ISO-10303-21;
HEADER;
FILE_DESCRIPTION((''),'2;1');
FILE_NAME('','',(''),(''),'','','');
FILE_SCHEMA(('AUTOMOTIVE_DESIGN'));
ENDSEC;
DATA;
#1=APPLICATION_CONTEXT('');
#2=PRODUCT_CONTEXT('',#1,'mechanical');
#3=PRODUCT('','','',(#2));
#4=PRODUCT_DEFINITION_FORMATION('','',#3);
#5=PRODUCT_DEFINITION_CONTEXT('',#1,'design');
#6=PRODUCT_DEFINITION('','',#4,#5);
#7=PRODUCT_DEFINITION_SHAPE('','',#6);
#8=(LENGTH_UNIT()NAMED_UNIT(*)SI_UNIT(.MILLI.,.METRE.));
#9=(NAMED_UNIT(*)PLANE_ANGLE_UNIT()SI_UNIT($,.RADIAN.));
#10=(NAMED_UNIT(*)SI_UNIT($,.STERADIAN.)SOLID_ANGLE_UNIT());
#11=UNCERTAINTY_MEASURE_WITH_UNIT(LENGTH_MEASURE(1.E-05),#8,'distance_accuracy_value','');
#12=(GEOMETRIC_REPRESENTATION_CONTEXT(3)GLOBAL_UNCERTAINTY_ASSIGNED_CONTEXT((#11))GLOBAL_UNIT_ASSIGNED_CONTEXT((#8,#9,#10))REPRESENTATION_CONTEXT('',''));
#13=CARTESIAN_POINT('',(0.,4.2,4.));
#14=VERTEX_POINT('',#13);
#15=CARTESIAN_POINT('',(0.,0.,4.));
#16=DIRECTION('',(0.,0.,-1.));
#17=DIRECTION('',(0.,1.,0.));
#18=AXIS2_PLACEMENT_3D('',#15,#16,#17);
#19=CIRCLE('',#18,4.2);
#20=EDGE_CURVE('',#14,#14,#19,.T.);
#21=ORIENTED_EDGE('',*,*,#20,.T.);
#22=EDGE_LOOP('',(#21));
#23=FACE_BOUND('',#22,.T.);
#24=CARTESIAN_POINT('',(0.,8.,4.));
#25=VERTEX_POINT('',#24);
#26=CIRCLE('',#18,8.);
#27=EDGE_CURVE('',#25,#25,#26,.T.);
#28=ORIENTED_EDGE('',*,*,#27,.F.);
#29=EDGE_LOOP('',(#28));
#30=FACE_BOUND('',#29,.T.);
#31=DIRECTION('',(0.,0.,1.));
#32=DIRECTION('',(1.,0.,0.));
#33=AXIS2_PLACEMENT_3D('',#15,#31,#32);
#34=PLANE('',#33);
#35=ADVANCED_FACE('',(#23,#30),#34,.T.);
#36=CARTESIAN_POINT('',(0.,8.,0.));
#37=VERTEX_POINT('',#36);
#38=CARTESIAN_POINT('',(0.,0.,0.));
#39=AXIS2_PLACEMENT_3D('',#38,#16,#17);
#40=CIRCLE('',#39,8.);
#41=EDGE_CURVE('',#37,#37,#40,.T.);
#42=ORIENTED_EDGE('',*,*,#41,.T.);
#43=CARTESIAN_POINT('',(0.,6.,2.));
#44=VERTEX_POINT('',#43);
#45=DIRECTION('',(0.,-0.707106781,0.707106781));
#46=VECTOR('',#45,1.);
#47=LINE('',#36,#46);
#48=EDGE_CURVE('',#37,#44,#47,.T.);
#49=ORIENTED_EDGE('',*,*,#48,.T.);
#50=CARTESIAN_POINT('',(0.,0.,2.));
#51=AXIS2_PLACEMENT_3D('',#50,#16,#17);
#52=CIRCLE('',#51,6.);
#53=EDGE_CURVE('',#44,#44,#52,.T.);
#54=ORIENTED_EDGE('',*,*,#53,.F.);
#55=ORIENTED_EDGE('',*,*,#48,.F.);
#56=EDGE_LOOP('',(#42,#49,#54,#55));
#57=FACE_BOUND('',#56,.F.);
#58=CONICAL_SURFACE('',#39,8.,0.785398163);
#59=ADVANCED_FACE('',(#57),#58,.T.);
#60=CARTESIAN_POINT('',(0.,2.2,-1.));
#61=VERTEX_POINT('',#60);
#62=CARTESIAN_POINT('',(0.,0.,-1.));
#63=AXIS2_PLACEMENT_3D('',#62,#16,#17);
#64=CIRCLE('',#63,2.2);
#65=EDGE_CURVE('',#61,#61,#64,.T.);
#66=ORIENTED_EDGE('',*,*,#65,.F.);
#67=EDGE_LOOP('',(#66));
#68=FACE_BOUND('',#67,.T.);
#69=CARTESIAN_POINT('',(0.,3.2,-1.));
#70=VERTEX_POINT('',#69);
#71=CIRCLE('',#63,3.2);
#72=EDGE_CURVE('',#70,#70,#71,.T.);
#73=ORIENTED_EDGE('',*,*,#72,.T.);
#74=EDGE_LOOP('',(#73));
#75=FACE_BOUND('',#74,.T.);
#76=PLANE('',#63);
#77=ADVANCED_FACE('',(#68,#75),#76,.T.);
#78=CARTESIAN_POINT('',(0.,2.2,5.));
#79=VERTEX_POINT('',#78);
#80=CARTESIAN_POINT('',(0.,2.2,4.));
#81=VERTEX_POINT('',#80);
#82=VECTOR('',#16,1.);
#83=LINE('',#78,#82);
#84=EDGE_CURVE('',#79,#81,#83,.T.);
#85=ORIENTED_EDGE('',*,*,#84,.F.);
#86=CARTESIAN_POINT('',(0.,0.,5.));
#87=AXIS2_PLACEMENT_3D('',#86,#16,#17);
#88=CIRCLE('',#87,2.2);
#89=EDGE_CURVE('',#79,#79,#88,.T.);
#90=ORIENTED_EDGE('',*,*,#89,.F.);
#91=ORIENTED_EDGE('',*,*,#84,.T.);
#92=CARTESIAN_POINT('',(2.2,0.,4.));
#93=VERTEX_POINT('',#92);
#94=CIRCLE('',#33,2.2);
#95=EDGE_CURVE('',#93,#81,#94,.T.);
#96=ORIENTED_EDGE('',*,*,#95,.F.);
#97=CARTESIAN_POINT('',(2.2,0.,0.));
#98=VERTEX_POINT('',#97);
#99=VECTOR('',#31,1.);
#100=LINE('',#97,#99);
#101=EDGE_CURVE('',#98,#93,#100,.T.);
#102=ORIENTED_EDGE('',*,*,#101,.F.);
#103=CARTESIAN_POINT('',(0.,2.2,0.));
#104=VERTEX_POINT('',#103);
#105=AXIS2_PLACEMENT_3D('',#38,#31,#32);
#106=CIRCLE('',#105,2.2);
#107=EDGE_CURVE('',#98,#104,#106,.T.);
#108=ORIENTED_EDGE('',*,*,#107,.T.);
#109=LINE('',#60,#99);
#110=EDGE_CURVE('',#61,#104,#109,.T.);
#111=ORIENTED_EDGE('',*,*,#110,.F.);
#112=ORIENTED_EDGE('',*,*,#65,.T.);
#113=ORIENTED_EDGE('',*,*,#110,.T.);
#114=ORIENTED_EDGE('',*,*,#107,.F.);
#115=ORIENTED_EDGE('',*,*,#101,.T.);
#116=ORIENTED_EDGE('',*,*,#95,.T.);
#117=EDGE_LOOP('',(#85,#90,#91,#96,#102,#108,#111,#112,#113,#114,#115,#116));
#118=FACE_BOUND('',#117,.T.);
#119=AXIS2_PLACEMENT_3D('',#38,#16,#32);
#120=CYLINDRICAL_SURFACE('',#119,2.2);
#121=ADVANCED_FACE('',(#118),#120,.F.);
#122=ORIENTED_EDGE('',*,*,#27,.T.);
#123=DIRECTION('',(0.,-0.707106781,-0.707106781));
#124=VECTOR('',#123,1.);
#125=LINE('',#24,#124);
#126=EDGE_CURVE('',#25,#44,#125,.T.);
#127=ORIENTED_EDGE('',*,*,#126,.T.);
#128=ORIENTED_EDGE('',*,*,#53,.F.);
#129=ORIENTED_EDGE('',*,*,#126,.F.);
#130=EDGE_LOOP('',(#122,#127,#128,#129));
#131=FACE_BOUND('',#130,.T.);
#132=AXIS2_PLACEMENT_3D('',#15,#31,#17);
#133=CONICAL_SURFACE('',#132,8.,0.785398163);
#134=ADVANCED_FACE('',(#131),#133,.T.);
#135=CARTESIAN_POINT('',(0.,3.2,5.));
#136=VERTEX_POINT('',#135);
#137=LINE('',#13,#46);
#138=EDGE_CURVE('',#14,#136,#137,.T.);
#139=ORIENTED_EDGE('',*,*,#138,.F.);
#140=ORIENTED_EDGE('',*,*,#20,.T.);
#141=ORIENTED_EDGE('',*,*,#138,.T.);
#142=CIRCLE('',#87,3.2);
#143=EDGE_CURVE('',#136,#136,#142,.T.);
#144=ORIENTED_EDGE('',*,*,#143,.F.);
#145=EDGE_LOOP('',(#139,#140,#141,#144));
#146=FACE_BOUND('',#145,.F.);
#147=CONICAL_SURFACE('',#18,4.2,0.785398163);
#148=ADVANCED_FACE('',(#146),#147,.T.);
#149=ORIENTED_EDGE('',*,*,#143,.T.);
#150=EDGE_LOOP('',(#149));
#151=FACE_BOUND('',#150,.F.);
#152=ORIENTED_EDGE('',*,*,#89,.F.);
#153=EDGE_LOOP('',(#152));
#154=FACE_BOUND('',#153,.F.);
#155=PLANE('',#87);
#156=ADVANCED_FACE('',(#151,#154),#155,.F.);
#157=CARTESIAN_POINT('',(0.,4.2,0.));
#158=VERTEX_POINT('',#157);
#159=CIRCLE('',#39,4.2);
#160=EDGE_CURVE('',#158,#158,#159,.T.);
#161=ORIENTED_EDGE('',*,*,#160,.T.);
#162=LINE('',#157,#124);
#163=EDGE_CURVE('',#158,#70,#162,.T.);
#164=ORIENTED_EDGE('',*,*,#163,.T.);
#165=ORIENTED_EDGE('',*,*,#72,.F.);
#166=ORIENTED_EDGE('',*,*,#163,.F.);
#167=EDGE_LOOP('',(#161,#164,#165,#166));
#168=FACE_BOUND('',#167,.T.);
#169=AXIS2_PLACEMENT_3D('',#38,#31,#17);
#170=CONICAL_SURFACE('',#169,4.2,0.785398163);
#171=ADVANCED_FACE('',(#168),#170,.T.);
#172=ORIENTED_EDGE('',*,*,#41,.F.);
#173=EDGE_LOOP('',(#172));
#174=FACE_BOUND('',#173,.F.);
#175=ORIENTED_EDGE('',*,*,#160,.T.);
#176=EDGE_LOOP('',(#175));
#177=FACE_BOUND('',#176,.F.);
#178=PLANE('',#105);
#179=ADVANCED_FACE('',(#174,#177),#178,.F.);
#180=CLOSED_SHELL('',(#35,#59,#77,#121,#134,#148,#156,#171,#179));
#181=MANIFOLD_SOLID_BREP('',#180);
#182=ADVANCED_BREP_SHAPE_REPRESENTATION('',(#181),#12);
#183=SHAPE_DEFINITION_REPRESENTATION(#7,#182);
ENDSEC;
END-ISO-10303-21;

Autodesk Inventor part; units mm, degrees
ref_plane "YZ Plane" through (0, 0, 0) normal (1, 0, 0) x (0, 1, 0)
ref_plane "XZ Plane" through (0, 0, 0) normal (0, 1, 0) x (-1, 0, 0)
ref_plane "XY Plane" through (0, 0, 0) normal (0, 0, 1) x (1, 0, 0)
sketch "Sketch90" plane through (0, 0, 0) normal (0, 0, 1) x (1, 0, 0)
  circle A0 centre (0, 0) radius 2.2
  circle A1 centre (0, 0) radius 6
  dimension "d450" = 4.4
  dimension "d451" = 12
extrude "Extrusion69" add sketch "Sketch90" along normal blind 4
sketch "Sketch91" plane through (0, 0, 0) normal (1, 0, 0) x (0, 1, 0)
  line L0 (6, 0) -> (6, 4) projected
  line L1 (6, 4) -> (8, 4)
  line L2 (6, 0) -> (8, 0)
  line L3 (8, 4) -> (6, 2)
  line L4 (8, 0) -> (6, 2)
  line L5 (0, 0) -> (0, -8)
  line L6 (2.2, 0) -> (-2.2, 0) projected
  line L7 (-6, 0) -> (6, 0) projected
  line L8 (-2.2, 4) -> (2.2, 4) projected
  line L9 (6, 4) -> (-6, 4) projected
  line L10 (-2.2, 4) -> (2.2, 4) projected
  line L11 (2.2, 0) -> (-2.2, 0) projected
  line L12 (2.2, 0) -> (-2.2, 0) projected
  line L13 (2.2, 0) -> (2.2, 4) projected
  line L14 (2.2, 0) -> (4.2, 0)
  line L15 (4.2, 0) -> (4.2, 0)
  line L16 (3.2, -1) -> (2.2, -1)
  line L17 (2.2, -1) -> (2.2, 0)
  line L18 (-2.2, 4) -> (2.2, 4) projected
  line L19 (2.2, 4) -> (4.2, 4)
  line L20 (4.2, 4) -> (4.2, 4)
  line L21 (3.2, 5) -> (2.2, 5)
  line L22 (2.2, 5) -> (2.2, 4)
  line L23 (4.2, 0) -> (3.2, -1)
  line L24 (4.2, 4) -> (3.2, 5)
  point P0 (4.2, -1)
  point P1 (4.2, 5)
  dimension "d454" = 2
  dimension "d456" = 2
  dimension "d457" = 1
  dimension "d458" = 1
  dimension "d459" = 1
  dimension "d460" = 1
  dimension "d461" = 1
  dimension "d462" = 1
revolve "Revolution9" add sketch "Sketch91" angle 360 about axis through (0, 0, 0) along (0, 0, -1) contours L0 L4 L2 | L0 L1 L3 | L23 L16 L17 L7 | L9 L22 L21 L24
properties part number "wheel-4-12"
